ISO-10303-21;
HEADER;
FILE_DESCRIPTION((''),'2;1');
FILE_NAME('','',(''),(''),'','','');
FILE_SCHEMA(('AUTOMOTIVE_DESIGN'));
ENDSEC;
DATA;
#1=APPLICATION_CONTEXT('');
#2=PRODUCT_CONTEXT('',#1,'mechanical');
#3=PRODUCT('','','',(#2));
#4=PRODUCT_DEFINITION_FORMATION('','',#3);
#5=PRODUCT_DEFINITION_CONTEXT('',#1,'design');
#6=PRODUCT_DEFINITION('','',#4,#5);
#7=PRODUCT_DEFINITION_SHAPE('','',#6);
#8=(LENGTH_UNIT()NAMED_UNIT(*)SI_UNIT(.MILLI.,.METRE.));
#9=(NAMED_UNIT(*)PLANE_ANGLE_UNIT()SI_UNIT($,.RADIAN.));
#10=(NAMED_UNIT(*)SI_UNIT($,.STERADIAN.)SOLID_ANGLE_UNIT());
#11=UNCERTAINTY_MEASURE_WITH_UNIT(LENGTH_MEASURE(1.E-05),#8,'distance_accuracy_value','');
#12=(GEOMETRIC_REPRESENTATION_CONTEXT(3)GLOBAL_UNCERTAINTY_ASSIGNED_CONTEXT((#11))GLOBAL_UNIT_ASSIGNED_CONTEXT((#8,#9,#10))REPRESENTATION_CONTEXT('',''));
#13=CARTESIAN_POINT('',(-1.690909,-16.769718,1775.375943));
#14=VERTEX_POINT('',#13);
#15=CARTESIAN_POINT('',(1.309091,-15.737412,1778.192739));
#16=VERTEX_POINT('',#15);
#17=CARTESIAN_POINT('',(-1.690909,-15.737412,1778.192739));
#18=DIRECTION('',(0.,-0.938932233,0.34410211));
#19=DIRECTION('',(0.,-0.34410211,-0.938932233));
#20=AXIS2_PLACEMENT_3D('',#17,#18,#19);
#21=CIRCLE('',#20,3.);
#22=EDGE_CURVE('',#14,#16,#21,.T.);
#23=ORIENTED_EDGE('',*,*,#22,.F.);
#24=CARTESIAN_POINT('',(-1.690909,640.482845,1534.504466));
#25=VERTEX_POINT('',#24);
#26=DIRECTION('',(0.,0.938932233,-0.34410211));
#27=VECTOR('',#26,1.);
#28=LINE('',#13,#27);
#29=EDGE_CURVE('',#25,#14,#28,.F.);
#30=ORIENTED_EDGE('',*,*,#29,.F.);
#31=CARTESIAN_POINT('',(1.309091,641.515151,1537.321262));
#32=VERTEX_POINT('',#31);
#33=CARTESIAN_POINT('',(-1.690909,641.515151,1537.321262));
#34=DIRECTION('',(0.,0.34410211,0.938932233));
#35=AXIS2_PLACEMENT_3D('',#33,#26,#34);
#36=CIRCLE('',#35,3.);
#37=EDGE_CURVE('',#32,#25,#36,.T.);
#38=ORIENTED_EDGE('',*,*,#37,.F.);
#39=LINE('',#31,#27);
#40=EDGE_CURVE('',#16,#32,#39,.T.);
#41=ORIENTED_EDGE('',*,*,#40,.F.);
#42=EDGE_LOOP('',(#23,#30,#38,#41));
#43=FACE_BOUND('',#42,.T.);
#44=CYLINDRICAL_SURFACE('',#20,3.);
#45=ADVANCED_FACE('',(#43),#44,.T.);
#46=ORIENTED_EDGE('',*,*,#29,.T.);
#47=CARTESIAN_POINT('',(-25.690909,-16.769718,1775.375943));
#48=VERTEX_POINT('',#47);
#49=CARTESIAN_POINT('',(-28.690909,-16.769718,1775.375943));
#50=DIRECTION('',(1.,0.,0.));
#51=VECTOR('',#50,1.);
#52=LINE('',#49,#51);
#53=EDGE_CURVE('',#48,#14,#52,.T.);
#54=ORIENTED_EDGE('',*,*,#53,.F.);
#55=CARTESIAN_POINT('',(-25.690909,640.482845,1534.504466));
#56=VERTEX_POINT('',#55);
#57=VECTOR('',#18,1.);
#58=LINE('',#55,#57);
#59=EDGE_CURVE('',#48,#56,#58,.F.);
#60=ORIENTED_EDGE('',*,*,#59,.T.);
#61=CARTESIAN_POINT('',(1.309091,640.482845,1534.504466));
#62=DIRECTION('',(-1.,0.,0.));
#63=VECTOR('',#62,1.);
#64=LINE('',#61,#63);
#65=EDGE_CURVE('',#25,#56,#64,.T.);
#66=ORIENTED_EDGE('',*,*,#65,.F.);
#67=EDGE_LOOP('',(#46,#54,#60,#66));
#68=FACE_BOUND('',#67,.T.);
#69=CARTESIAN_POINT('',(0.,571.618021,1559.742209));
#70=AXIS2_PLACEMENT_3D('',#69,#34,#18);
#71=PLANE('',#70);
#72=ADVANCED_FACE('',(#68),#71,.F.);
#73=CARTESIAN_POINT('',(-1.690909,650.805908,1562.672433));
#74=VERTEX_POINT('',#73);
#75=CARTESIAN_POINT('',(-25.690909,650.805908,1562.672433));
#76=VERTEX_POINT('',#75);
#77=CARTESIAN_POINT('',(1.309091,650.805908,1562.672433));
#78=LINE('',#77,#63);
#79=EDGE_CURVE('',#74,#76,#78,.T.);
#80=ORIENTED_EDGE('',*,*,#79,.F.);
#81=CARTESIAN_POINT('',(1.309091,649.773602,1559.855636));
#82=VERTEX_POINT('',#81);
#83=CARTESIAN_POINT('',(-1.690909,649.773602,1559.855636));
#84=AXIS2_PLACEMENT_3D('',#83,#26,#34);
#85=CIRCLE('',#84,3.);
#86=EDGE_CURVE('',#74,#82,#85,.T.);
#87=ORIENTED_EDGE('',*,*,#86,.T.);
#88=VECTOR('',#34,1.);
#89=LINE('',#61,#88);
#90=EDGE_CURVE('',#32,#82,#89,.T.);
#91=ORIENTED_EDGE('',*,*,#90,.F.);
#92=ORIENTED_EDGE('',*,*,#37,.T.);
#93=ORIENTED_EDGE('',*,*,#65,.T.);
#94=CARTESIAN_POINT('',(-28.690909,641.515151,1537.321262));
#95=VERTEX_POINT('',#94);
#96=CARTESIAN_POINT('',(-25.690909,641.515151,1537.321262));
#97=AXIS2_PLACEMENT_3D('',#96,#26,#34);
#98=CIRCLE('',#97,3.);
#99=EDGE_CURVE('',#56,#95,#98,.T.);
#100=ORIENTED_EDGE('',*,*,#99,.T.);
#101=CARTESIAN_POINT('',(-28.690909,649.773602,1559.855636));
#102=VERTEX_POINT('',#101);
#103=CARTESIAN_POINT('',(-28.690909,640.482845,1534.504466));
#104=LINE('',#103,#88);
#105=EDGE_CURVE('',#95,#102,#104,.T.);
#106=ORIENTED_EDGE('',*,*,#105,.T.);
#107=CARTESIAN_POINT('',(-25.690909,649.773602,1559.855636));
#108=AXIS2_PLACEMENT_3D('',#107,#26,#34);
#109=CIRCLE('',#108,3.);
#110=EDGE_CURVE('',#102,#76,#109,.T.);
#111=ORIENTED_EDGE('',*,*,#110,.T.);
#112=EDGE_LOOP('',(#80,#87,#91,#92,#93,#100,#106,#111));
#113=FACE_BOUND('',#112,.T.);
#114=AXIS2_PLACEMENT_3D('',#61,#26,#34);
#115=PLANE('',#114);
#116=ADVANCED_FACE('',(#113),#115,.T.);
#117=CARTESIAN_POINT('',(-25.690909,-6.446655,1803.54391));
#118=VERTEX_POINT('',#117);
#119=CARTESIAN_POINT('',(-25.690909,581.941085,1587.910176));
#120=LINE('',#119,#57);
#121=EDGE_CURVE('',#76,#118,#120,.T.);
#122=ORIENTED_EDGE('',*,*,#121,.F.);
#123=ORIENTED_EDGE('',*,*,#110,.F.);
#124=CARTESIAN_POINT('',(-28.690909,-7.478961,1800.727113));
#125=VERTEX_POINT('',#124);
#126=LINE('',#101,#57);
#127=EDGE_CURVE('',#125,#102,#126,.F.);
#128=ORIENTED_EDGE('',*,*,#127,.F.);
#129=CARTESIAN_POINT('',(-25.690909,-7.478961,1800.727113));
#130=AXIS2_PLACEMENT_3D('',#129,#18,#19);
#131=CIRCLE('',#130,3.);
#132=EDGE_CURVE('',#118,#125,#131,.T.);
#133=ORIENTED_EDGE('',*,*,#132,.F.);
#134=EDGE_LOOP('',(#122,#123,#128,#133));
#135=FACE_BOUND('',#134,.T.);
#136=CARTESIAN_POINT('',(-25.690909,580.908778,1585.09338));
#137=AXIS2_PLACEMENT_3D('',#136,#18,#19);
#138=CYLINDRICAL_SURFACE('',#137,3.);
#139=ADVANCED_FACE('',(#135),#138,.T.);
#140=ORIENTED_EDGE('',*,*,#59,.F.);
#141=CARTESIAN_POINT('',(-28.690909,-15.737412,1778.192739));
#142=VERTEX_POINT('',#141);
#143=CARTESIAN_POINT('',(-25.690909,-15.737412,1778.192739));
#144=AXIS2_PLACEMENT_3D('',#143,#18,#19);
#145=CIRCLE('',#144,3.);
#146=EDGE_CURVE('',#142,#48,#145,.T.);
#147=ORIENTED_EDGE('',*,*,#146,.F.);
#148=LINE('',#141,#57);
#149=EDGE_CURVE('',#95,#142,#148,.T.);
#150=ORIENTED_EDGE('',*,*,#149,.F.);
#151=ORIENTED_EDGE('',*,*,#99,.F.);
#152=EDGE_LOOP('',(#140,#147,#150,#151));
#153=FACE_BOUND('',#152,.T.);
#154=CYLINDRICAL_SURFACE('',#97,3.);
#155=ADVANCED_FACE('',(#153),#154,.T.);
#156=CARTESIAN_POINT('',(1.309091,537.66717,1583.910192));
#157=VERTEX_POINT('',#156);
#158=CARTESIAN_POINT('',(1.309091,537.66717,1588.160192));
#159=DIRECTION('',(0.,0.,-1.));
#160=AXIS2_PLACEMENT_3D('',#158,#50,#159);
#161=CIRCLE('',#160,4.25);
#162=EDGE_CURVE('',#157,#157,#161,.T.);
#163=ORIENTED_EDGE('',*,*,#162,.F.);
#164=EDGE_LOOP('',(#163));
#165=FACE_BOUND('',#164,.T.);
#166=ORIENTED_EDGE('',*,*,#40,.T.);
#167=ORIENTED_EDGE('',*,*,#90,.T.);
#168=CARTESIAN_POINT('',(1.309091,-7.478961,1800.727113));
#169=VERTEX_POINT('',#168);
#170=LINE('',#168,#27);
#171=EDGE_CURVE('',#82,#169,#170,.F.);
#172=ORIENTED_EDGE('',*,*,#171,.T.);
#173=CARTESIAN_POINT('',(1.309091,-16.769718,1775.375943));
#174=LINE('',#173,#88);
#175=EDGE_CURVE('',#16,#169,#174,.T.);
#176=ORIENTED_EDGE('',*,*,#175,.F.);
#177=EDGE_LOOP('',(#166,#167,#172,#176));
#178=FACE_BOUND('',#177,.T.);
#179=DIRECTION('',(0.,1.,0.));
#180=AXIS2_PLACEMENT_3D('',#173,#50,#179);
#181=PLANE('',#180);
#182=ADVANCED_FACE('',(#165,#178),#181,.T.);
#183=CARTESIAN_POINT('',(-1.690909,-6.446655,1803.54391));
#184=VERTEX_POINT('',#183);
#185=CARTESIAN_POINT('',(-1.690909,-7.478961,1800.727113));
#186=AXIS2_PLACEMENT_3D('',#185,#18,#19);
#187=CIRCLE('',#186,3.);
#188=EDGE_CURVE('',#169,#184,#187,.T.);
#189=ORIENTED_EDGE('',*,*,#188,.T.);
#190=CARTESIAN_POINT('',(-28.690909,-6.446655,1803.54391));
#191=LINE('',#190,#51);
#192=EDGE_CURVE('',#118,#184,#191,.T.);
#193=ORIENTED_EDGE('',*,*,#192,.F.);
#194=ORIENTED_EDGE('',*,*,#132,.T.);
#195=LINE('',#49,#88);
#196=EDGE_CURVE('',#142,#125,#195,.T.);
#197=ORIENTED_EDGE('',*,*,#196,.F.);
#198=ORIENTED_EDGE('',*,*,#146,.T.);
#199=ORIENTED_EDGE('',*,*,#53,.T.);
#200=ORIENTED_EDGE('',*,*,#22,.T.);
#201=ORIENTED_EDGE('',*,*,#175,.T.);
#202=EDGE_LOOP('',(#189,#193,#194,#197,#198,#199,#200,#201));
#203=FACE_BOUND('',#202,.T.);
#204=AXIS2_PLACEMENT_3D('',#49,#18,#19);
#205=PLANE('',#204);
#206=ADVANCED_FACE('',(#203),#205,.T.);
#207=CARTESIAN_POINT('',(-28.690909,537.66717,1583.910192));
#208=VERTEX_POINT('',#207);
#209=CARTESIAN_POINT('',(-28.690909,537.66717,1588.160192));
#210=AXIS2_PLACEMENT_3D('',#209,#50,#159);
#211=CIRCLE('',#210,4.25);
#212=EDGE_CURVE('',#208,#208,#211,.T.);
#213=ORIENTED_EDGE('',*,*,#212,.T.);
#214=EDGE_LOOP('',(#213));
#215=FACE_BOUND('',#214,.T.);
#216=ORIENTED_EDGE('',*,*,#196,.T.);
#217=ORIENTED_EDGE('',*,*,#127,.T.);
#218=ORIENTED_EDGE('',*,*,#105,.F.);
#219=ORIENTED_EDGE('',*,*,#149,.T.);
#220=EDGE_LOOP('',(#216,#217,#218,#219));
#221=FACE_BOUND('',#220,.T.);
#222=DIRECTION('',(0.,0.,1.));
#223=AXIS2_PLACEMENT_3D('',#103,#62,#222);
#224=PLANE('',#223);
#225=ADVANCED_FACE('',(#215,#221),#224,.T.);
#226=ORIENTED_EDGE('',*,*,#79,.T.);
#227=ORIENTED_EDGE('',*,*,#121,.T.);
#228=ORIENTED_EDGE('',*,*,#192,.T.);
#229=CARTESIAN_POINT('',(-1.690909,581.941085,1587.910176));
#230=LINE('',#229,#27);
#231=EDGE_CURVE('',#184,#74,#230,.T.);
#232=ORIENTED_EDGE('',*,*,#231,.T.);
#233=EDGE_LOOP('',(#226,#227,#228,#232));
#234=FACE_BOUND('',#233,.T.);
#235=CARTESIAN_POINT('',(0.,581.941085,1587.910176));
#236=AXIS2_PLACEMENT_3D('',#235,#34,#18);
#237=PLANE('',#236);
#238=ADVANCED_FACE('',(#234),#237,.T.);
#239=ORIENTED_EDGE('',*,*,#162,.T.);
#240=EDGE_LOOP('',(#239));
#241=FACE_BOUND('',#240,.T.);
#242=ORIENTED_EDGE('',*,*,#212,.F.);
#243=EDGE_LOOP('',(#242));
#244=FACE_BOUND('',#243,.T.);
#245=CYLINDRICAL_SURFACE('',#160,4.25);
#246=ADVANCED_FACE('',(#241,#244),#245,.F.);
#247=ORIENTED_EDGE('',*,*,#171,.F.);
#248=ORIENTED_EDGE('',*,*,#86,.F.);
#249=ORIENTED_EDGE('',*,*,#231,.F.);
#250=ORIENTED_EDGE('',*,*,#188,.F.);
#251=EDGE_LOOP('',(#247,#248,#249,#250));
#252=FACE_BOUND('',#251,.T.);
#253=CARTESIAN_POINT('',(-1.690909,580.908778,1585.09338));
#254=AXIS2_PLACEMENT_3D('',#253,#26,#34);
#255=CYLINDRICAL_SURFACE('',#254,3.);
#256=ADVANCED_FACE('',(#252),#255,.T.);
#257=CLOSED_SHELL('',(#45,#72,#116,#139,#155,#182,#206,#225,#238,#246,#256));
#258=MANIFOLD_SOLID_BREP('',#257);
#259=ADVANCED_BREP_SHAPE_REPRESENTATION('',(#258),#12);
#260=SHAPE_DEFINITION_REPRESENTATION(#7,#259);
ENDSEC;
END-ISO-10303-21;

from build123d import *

# Parameters (mm, degrees)
SKETCH1_W                  = 30
SKETCH1_H                  = 700
BOSS_EXTRUDE1_DEPTH        = 30
F_8_5_8_5_DIAMETER_HOLE1_D = 8.5
FILLET1_R                  = 3


with BuildPart() as part:
    # Sketch1 → Boss-Extrude1 (new body)
    with BuildSketch(Plane(origin=(0, 581.941084715, 1587.910176451), x_dir=(-1, 0, 0), z_dir=(0, 0.3441021099188428, 0.9389322328844616))):
        with Locations((13.69090897, 276.656236502)):
            Rectangle(SKETCH1_W, SKETCH1_H)
    extrude(amount=-BOSS_EXTRUDE1_DEPTH)

    # Ø8.5 (8.5) Diameter Hole1 (through all)
    with Locations(Plane(origin=(1.30909103, 0, 0), x_dir=(0, 0, -1), z_dir=(1, 0, 0))):
        with Locations((-1588.160191829, 537.667169913)):
            Hole(F_8_5_8_5_DIAMETER_HOLE1_D / 2)

    # Fillet1
    fillet1_edges = [part.edges().sort_by_distance(p)[0] for p in [
        (1.30909103, 311.856563537, 1654.940204167),
        (-28.69090897, 311.856563537, 1654.940204167),
        (1.30909103, 322.179626834, 1683.108171153),
        (-28.69090897, 322.179626834, 1683.108171153),
    ]]
    fillet(fillet1_edges, radius=FILLET1_R)


solid = part.part
